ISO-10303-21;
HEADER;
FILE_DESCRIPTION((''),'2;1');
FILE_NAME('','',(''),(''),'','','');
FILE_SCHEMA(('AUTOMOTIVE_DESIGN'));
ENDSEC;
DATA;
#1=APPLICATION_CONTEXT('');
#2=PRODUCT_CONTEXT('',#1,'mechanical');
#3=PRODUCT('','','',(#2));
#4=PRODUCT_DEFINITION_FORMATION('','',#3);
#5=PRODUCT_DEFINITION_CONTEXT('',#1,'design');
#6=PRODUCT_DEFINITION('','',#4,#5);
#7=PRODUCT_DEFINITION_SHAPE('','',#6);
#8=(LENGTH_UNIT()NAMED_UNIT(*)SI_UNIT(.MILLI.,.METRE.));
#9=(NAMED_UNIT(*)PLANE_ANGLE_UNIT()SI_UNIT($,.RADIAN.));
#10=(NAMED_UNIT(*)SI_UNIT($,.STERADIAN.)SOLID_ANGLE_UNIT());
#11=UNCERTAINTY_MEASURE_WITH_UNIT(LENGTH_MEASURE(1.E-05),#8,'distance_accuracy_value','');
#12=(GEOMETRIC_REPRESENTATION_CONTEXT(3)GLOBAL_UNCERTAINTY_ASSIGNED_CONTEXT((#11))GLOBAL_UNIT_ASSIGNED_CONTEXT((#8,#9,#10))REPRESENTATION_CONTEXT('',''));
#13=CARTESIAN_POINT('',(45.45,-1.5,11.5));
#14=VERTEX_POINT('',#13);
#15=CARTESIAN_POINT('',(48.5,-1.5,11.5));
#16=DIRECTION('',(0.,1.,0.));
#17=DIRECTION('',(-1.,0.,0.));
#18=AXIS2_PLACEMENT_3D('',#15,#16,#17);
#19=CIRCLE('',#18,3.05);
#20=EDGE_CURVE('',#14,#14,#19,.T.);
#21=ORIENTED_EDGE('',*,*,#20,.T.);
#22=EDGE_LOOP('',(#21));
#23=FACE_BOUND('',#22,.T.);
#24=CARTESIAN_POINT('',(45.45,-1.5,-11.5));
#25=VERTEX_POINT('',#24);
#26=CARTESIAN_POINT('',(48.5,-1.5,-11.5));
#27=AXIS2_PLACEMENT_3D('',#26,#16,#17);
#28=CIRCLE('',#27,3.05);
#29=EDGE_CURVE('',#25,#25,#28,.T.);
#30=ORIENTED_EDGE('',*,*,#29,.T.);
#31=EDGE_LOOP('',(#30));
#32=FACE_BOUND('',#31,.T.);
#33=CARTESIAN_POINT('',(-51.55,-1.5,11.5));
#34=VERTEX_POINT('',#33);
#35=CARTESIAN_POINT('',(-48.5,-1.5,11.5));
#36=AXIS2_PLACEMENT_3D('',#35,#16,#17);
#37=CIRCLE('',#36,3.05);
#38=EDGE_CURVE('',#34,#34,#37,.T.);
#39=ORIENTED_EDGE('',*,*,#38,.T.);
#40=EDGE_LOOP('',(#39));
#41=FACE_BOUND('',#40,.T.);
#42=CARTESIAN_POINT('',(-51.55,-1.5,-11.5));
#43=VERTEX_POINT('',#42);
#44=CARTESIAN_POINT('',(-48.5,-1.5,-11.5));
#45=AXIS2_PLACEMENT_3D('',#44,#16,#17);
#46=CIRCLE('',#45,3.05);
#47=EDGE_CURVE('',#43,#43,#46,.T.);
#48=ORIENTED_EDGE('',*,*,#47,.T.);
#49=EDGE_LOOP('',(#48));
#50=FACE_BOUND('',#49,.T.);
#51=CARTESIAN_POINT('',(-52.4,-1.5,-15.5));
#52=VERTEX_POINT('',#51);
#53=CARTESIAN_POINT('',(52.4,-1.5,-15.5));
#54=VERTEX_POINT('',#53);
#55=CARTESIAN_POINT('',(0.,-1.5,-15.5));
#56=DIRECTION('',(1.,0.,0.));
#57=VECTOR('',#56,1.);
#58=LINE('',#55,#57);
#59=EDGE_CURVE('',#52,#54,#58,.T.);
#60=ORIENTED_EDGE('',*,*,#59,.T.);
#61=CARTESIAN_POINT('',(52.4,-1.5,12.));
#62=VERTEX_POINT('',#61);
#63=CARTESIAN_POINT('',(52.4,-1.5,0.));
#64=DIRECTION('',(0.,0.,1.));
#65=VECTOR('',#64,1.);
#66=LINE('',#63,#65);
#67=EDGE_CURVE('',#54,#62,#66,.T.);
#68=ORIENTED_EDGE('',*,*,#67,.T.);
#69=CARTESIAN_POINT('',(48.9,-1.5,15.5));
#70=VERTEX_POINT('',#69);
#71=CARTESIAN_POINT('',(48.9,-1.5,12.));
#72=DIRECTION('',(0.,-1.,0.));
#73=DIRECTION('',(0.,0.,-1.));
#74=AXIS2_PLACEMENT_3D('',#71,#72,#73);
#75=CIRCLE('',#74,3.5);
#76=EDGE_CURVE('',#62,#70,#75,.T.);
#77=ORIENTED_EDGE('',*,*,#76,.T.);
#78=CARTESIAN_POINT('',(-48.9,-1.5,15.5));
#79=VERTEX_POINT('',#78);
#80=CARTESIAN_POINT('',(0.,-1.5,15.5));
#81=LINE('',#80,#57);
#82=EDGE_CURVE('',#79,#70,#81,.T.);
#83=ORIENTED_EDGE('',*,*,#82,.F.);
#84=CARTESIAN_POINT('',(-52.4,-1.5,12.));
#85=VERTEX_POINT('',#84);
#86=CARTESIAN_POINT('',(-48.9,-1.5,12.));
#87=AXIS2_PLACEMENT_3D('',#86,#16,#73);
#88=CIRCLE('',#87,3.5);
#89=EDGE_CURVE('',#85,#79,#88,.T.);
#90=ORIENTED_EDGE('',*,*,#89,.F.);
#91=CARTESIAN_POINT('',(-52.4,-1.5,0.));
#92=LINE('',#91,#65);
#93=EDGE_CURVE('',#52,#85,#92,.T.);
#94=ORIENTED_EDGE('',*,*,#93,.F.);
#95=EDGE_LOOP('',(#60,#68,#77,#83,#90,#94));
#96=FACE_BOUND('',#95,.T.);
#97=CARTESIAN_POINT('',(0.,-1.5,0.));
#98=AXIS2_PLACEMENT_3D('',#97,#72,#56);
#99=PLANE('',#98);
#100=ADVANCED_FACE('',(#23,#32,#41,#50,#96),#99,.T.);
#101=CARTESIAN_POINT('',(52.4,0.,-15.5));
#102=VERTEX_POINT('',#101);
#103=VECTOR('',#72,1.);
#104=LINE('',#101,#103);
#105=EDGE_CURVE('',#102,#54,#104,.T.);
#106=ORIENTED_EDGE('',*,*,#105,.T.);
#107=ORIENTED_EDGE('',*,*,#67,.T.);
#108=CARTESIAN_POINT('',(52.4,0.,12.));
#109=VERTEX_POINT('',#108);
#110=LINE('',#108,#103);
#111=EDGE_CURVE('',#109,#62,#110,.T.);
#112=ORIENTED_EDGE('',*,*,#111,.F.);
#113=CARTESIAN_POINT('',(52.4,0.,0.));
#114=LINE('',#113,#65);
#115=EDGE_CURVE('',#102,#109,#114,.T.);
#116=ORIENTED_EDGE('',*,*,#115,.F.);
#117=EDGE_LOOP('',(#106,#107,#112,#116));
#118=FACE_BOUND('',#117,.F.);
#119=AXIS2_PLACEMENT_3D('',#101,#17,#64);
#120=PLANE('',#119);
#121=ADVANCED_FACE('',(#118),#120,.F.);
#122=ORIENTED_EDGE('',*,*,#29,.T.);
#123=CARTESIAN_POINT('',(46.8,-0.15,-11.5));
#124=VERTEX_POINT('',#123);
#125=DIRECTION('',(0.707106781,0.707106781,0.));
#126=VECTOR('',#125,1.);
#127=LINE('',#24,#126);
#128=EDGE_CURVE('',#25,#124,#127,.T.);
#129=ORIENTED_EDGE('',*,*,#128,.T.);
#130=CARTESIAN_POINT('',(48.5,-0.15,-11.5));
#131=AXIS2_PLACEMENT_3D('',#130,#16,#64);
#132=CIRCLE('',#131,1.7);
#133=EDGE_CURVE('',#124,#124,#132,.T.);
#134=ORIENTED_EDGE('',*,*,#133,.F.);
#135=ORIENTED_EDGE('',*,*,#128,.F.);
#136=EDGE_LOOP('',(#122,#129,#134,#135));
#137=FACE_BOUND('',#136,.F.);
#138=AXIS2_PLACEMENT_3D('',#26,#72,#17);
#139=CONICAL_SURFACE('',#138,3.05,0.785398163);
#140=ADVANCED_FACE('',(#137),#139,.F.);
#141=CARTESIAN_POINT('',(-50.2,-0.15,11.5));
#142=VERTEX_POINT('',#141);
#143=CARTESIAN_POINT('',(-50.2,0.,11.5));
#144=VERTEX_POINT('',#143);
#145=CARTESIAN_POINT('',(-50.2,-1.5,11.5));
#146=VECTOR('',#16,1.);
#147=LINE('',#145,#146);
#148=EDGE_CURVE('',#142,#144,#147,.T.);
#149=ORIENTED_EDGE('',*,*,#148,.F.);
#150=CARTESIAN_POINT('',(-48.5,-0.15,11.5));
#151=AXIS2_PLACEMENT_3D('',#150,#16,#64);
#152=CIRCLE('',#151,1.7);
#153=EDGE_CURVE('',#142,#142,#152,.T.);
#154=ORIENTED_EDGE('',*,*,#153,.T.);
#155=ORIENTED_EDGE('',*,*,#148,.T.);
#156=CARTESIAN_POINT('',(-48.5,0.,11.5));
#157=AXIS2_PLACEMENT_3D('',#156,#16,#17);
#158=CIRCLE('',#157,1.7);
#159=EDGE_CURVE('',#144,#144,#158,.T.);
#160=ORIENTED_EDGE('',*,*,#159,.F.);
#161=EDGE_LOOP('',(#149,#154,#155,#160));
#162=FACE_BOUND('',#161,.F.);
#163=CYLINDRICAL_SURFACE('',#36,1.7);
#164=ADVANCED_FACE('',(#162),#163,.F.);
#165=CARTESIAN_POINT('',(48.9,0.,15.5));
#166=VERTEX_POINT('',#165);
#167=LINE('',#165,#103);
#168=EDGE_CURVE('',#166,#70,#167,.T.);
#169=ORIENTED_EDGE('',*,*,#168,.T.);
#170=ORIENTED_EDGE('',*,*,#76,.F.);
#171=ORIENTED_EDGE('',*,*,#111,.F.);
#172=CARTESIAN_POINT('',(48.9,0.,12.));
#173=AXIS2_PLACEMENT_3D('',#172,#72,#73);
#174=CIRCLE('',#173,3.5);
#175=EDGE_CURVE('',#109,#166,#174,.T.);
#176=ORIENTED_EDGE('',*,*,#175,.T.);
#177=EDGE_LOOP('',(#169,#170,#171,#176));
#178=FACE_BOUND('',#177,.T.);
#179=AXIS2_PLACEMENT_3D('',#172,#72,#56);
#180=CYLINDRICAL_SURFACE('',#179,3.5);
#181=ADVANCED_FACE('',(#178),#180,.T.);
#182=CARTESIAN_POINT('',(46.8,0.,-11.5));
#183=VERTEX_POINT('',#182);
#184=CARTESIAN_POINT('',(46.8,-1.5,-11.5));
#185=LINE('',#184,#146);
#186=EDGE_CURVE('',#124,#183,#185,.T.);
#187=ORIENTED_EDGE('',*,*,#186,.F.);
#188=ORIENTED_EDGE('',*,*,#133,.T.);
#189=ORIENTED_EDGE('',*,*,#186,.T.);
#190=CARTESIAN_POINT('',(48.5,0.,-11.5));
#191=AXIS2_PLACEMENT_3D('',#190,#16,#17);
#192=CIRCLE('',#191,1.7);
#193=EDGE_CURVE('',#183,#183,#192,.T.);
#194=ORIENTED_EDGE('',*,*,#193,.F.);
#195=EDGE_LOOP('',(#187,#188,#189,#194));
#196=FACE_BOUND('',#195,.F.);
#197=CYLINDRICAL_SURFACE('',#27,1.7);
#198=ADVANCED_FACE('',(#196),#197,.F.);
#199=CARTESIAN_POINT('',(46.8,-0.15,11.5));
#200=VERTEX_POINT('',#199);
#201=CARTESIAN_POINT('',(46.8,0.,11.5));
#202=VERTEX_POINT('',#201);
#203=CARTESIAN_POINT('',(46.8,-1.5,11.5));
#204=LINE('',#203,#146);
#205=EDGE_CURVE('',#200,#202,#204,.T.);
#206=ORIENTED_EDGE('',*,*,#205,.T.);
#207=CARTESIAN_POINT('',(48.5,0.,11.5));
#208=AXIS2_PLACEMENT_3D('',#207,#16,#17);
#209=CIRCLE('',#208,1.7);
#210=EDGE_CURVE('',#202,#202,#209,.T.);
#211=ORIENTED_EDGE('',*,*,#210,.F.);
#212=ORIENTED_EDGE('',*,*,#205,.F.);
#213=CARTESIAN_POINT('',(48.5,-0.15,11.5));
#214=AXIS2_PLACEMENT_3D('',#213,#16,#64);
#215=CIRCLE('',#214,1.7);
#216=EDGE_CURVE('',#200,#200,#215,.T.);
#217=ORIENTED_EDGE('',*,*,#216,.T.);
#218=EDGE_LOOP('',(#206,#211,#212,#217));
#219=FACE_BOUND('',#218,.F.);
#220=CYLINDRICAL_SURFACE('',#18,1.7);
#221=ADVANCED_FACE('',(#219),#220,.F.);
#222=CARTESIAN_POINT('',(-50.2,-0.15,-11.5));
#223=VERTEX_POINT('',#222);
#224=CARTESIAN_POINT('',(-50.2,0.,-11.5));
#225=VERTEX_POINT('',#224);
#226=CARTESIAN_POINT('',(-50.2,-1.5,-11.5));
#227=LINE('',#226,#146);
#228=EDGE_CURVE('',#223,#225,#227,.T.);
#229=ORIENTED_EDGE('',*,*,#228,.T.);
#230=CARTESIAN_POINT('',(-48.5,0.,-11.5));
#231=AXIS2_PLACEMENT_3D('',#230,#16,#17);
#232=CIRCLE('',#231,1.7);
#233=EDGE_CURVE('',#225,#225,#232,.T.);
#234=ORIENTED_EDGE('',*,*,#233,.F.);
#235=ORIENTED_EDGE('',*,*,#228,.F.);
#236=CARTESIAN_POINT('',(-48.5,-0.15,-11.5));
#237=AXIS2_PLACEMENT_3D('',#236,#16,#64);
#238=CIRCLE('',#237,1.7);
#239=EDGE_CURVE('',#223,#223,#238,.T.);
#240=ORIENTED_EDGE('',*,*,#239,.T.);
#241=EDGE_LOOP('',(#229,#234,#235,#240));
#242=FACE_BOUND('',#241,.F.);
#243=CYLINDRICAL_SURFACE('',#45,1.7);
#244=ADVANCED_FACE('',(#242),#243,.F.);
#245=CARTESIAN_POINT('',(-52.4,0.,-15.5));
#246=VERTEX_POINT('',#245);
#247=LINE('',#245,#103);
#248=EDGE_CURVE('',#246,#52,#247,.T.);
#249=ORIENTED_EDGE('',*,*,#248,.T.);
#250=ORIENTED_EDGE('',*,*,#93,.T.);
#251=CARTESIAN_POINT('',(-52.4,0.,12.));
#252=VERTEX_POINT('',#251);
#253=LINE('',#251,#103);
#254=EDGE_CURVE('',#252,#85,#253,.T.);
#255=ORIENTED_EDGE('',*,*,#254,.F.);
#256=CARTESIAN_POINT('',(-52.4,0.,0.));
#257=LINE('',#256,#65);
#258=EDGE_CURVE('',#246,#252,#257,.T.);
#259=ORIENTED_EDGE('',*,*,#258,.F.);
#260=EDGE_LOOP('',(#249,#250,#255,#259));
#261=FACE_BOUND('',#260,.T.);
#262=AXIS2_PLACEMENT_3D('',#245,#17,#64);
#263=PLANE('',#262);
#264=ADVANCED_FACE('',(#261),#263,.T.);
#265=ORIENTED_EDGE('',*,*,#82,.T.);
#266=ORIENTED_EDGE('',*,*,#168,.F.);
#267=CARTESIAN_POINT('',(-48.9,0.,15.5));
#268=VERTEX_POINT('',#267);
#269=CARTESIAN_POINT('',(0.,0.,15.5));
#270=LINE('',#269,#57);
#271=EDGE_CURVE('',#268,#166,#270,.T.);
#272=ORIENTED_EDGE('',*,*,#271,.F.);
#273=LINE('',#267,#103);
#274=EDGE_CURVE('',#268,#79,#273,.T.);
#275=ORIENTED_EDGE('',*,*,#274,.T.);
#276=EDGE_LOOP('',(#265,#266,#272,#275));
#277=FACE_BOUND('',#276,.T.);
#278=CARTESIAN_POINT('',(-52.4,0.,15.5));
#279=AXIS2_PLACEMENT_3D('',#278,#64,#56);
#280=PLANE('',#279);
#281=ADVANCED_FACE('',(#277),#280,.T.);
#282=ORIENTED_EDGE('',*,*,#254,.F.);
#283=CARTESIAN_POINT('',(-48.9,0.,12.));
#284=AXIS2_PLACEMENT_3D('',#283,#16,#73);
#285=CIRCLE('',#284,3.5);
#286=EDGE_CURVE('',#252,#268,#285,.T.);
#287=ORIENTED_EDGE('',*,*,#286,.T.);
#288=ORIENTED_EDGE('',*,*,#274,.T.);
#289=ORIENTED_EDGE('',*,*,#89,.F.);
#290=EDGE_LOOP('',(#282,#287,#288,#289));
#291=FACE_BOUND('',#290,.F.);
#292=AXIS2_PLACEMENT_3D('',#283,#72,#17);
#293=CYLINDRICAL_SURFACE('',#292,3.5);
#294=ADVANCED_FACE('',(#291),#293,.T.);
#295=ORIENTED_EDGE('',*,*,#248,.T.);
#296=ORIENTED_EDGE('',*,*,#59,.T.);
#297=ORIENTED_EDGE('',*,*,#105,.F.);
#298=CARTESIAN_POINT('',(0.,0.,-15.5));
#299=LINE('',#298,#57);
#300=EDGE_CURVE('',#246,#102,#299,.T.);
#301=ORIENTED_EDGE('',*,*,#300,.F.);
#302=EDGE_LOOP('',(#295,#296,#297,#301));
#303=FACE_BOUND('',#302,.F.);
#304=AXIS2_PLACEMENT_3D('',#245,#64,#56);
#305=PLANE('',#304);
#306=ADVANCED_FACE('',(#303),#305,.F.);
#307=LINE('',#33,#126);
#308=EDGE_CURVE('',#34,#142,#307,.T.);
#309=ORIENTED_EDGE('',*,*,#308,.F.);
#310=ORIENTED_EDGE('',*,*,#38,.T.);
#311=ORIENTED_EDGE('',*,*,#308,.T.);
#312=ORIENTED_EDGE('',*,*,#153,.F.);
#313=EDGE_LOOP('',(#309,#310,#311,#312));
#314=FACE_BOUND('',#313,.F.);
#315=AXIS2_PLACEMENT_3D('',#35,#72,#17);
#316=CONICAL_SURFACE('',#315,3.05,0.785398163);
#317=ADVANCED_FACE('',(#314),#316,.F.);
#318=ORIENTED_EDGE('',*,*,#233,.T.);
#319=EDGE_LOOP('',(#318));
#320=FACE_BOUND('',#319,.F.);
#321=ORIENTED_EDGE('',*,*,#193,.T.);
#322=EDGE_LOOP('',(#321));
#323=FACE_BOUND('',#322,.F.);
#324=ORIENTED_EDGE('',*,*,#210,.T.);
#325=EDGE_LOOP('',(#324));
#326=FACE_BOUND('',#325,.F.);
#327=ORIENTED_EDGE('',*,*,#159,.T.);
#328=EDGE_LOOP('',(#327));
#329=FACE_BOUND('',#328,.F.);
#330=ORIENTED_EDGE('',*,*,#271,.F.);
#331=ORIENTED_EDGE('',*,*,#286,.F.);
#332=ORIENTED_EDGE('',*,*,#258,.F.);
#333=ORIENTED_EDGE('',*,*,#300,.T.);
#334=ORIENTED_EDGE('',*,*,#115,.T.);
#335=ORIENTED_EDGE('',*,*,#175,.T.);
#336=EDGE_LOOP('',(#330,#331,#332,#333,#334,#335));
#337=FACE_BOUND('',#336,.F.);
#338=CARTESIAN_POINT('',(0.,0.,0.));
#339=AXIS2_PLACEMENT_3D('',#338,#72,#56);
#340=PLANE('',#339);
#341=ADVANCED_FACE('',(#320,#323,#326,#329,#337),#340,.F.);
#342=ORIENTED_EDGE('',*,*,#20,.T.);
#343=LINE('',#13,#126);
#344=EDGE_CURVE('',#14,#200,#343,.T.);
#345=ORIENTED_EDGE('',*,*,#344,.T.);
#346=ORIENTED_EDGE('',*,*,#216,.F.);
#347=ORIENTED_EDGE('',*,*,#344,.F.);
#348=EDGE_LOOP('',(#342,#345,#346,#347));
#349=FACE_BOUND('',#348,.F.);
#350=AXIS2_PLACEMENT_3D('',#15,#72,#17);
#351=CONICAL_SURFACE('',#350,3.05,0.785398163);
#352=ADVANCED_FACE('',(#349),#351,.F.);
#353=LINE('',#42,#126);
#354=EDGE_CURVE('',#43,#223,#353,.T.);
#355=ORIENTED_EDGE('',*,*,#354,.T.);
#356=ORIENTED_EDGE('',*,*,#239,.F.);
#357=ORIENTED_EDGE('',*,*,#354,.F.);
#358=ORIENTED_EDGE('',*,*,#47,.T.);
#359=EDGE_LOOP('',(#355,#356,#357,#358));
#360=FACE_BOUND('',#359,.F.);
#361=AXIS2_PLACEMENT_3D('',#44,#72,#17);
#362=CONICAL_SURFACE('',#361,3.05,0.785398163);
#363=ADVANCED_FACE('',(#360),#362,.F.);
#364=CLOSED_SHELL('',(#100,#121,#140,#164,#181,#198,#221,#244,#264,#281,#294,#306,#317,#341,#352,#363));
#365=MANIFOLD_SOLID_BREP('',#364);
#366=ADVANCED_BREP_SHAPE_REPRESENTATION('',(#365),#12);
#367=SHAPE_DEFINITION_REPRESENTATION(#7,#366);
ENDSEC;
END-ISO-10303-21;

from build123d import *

# Parameters (mm, degrees)
SKETCH_W         = 104.8
SKETCH_H         = 31
PAD_DEPTH        = 1.5
HOLE_D           = 3.4
HOLE_DEPTH       = 25
HOLE_CSINK_D     = 6.1
HOLE_CSINK_ANGLE = 90
FILLET_R         = 3.5


with BuildPart() as part:
    # Sketch → Pad (new body)
    with BuildSketch(Plane.XZ):
        Rectangle(SKETCH_W, SKETCH_H)
    extrude(amount=PAD_DEPTH)

    # Hole
    with Locations(Plane.XZ.offset(1.5)):
        with Locations((-48.5, 11.5), (-48.5, -11.5), (48.5, -11.5), (48.5, 11.5)):
            CounterSinkHole(HOLE_D / 2, HOLE_CSINK_D / 2, depth=HOLE_DEPTH, counter_sink_angle=HOLE_CSINK_ANGLE)

    # Fillet
    fillet_edges = [part.edges().sort_by_distance(p)[0] for p in [
        (-52.4, -0.75, 15.5),
        (52.4, -0.75, 15.5),
    ]]
    fillet(fillet_edges, radius=FILLET_R)


solid = part.part
